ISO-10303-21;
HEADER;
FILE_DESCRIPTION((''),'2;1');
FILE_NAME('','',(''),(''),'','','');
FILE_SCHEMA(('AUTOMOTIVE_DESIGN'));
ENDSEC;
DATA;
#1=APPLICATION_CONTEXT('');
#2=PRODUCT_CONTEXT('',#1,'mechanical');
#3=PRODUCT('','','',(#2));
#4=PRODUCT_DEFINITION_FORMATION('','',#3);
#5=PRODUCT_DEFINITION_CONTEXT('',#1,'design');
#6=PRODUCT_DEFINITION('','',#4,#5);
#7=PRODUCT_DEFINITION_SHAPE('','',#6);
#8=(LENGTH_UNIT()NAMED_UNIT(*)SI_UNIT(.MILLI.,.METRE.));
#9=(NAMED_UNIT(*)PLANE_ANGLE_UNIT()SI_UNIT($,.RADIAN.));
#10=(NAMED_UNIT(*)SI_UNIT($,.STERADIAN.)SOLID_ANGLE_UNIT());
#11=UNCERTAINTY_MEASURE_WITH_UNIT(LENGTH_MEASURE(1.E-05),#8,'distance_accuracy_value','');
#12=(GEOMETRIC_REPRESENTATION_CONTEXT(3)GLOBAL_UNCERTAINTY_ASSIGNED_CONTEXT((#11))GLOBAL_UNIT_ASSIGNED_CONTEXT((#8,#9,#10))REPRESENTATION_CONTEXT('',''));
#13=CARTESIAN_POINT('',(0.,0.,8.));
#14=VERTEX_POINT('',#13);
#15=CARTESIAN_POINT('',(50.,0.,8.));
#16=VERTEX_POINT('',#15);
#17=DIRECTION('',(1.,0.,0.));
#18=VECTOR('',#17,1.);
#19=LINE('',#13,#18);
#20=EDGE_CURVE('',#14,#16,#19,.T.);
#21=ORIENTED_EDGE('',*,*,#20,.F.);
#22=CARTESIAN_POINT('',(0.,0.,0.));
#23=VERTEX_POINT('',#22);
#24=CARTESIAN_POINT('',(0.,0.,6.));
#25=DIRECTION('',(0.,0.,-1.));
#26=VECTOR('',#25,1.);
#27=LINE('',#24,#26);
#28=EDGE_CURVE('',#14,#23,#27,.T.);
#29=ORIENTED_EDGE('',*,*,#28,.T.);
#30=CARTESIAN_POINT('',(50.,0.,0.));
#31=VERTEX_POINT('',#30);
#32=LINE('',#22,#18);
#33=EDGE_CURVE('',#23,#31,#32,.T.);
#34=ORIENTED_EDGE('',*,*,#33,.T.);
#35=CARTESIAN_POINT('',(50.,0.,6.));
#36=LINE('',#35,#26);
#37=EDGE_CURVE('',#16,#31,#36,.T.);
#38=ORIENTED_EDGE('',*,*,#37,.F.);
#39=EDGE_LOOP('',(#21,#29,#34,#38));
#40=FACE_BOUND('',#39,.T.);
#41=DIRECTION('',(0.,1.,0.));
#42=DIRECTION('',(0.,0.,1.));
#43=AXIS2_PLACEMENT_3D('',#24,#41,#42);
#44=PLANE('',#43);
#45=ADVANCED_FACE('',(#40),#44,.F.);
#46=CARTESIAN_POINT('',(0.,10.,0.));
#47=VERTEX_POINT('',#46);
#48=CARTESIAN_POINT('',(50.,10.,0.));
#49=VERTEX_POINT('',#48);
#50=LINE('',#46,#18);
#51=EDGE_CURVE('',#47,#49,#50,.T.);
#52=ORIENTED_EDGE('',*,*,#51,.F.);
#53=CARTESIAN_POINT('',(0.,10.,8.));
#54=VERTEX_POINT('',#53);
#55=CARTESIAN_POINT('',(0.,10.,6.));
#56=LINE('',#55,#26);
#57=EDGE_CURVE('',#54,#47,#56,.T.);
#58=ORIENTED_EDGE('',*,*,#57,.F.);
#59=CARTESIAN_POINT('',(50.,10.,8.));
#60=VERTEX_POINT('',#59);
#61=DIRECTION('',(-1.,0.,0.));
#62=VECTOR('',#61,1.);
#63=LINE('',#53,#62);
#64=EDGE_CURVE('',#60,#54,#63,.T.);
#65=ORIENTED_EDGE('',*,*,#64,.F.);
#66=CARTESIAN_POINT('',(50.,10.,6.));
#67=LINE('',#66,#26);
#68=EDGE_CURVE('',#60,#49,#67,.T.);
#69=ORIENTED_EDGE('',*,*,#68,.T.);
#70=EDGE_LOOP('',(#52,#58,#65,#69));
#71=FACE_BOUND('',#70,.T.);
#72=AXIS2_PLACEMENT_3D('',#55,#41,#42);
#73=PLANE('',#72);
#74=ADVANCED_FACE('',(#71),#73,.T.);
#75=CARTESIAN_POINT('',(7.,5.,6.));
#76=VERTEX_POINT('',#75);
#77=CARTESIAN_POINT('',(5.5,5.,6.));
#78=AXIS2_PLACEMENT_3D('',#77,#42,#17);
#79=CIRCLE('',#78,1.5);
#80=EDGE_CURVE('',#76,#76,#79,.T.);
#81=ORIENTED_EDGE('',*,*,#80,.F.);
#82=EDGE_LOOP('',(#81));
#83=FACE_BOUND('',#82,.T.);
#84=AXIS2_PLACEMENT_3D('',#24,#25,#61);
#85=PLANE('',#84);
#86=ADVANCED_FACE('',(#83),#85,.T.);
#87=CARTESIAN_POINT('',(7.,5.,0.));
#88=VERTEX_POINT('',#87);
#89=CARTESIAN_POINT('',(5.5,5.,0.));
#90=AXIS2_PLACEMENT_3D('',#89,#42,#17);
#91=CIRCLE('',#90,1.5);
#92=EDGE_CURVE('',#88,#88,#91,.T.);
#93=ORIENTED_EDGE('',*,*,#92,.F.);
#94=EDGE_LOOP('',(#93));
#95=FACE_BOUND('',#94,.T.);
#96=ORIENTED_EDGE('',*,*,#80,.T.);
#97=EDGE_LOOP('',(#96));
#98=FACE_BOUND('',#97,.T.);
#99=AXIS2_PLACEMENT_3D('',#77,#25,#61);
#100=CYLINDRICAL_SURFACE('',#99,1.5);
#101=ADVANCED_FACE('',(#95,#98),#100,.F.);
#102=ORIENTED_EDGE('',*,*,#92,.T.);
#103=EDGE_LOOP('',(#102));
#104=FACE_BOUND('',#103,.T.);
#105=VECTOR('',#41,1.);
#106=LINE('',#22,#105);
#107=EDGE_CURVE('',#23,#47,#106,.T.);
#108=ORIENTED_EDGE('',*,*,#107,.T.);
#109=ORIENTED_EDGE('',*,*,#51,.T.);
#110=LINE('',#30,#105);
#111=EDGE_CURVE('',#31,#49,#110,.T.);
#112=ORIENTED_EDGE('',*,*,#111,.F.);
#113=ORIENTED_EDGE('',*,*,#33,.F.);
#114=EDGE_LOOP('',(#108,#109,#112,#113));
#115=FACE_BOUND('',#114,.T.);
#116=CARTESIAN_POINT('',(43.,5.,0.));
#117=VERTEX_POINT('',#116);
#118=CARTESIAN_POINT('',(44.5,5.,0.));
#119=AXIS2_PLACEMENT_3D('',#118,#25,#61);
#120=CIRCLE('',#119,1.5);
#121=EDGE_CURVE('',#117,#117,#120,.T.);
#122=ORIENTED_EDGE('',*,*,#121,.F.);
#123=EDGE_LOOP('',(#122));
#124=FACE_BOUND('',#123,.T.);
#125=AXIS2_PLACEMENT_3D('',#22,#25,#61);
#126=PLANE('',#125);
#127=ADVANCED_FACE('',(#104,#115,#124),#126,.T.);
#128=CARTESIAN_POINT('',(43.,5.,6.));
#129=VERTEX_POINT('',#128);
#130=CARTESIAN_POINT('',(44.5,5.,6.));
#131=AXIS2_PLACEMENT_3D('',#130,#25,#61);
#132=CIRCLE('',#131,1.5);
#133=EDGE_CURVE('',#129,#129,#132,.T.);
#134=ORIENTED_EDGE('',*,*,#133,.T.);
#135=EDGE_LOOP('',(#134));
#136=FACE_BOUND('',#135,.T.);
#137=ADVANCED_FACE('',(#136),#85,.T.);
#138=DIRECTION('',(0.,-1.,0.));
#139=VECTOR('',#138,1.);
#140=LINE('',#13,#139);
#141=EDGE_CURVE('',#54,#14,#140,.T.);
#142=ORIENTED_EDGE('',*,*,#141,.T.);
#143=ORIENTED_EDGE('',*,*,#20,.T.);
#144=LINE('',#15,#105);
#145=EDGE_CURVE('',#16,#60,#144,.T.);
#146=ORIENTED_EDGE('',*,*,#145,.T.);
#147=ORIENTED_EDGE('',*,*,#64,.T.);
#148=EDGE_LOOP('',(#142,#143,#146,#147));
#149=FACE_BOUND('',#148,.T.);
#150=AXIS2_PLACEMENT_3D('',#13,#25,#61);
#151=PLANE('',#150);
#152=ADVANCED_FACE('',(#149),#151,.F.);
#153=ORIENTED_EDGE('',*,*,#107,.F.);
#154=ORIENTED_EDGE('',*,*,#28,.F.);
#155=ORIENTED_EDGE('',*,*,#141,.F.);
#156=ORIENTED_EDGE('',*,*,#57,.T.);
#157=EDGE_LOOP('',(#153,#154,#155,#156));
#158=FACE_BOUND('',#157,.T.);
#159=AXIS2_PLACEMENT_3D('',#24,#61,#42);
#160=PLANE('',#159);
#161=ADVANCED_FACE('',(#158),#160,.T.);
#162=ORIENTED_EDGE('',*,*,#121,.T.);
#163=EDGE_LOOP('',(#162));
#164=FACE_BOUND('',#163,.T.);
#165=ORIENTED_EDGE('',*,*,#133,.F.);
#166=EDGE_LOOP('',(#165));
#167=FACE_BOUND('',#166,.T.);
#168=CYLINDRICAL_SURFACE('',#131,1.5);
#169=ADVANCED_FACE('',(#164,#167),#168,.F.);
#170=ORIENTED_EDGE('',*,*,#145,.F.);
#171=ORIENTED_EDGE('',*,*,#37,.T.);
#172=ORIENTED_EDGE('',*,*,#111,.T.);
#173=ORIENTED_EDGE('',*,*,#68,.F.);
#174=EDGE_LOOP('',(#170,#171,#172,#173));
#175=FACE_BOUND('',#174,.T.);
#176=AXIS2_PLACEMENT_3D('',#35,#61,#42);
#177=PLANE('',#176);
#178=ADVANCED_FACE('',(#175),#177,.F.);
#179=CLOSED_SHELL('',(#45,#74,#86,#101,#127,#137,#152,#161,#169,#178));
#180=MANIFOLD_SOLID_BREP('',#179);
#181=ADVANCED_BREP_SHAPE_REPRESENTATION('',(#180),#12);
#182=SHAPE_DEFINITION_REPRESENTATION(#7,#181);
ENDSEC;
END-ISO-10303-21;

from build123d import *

# Parameters (mm, degrees)
SKETCH1_W           = 50
SKETCH1_H           = 10
SKETCH1_R           = 1.5
BOSS_EXTRUDE2_DEPTH = 6
SKETCH2_W           = 50
SKETCH2_H           = 10
BOSS_EXTRUDE3_DEPTH = 2


with BuildPart() as part:
    # Sketch1 → Boss-Extrude2 (new body)
    with BuildSketch(Plane.XY):
        with Locations((25, 5)):
            Rectangle(SKETCH1_W, SKETCH1_H)
        with Locations((5.5, 5)):
            Circle(SKETCH1_R, mode=Mode.SUBTRACT)
        with Locations(Location((44.5, 5, 0), (0, 0, 180))):
            Circle(SKETCH1_R, mode=Mode.SUBTRACT)
    extrude(amount=BOSS_EXTRUDE2_DEPTH)

    # Sketch2 → Boss-Extrude3 (add)
    with BuildSketch(Plane.XY.offset(6)):
        with Locations((25, 5)):
            Rectangle(SKETCH2_W, SKETCH2_H)
    extrude(amount=BOSS_EXTRUDE3_DEPTH)


solid = part.part
